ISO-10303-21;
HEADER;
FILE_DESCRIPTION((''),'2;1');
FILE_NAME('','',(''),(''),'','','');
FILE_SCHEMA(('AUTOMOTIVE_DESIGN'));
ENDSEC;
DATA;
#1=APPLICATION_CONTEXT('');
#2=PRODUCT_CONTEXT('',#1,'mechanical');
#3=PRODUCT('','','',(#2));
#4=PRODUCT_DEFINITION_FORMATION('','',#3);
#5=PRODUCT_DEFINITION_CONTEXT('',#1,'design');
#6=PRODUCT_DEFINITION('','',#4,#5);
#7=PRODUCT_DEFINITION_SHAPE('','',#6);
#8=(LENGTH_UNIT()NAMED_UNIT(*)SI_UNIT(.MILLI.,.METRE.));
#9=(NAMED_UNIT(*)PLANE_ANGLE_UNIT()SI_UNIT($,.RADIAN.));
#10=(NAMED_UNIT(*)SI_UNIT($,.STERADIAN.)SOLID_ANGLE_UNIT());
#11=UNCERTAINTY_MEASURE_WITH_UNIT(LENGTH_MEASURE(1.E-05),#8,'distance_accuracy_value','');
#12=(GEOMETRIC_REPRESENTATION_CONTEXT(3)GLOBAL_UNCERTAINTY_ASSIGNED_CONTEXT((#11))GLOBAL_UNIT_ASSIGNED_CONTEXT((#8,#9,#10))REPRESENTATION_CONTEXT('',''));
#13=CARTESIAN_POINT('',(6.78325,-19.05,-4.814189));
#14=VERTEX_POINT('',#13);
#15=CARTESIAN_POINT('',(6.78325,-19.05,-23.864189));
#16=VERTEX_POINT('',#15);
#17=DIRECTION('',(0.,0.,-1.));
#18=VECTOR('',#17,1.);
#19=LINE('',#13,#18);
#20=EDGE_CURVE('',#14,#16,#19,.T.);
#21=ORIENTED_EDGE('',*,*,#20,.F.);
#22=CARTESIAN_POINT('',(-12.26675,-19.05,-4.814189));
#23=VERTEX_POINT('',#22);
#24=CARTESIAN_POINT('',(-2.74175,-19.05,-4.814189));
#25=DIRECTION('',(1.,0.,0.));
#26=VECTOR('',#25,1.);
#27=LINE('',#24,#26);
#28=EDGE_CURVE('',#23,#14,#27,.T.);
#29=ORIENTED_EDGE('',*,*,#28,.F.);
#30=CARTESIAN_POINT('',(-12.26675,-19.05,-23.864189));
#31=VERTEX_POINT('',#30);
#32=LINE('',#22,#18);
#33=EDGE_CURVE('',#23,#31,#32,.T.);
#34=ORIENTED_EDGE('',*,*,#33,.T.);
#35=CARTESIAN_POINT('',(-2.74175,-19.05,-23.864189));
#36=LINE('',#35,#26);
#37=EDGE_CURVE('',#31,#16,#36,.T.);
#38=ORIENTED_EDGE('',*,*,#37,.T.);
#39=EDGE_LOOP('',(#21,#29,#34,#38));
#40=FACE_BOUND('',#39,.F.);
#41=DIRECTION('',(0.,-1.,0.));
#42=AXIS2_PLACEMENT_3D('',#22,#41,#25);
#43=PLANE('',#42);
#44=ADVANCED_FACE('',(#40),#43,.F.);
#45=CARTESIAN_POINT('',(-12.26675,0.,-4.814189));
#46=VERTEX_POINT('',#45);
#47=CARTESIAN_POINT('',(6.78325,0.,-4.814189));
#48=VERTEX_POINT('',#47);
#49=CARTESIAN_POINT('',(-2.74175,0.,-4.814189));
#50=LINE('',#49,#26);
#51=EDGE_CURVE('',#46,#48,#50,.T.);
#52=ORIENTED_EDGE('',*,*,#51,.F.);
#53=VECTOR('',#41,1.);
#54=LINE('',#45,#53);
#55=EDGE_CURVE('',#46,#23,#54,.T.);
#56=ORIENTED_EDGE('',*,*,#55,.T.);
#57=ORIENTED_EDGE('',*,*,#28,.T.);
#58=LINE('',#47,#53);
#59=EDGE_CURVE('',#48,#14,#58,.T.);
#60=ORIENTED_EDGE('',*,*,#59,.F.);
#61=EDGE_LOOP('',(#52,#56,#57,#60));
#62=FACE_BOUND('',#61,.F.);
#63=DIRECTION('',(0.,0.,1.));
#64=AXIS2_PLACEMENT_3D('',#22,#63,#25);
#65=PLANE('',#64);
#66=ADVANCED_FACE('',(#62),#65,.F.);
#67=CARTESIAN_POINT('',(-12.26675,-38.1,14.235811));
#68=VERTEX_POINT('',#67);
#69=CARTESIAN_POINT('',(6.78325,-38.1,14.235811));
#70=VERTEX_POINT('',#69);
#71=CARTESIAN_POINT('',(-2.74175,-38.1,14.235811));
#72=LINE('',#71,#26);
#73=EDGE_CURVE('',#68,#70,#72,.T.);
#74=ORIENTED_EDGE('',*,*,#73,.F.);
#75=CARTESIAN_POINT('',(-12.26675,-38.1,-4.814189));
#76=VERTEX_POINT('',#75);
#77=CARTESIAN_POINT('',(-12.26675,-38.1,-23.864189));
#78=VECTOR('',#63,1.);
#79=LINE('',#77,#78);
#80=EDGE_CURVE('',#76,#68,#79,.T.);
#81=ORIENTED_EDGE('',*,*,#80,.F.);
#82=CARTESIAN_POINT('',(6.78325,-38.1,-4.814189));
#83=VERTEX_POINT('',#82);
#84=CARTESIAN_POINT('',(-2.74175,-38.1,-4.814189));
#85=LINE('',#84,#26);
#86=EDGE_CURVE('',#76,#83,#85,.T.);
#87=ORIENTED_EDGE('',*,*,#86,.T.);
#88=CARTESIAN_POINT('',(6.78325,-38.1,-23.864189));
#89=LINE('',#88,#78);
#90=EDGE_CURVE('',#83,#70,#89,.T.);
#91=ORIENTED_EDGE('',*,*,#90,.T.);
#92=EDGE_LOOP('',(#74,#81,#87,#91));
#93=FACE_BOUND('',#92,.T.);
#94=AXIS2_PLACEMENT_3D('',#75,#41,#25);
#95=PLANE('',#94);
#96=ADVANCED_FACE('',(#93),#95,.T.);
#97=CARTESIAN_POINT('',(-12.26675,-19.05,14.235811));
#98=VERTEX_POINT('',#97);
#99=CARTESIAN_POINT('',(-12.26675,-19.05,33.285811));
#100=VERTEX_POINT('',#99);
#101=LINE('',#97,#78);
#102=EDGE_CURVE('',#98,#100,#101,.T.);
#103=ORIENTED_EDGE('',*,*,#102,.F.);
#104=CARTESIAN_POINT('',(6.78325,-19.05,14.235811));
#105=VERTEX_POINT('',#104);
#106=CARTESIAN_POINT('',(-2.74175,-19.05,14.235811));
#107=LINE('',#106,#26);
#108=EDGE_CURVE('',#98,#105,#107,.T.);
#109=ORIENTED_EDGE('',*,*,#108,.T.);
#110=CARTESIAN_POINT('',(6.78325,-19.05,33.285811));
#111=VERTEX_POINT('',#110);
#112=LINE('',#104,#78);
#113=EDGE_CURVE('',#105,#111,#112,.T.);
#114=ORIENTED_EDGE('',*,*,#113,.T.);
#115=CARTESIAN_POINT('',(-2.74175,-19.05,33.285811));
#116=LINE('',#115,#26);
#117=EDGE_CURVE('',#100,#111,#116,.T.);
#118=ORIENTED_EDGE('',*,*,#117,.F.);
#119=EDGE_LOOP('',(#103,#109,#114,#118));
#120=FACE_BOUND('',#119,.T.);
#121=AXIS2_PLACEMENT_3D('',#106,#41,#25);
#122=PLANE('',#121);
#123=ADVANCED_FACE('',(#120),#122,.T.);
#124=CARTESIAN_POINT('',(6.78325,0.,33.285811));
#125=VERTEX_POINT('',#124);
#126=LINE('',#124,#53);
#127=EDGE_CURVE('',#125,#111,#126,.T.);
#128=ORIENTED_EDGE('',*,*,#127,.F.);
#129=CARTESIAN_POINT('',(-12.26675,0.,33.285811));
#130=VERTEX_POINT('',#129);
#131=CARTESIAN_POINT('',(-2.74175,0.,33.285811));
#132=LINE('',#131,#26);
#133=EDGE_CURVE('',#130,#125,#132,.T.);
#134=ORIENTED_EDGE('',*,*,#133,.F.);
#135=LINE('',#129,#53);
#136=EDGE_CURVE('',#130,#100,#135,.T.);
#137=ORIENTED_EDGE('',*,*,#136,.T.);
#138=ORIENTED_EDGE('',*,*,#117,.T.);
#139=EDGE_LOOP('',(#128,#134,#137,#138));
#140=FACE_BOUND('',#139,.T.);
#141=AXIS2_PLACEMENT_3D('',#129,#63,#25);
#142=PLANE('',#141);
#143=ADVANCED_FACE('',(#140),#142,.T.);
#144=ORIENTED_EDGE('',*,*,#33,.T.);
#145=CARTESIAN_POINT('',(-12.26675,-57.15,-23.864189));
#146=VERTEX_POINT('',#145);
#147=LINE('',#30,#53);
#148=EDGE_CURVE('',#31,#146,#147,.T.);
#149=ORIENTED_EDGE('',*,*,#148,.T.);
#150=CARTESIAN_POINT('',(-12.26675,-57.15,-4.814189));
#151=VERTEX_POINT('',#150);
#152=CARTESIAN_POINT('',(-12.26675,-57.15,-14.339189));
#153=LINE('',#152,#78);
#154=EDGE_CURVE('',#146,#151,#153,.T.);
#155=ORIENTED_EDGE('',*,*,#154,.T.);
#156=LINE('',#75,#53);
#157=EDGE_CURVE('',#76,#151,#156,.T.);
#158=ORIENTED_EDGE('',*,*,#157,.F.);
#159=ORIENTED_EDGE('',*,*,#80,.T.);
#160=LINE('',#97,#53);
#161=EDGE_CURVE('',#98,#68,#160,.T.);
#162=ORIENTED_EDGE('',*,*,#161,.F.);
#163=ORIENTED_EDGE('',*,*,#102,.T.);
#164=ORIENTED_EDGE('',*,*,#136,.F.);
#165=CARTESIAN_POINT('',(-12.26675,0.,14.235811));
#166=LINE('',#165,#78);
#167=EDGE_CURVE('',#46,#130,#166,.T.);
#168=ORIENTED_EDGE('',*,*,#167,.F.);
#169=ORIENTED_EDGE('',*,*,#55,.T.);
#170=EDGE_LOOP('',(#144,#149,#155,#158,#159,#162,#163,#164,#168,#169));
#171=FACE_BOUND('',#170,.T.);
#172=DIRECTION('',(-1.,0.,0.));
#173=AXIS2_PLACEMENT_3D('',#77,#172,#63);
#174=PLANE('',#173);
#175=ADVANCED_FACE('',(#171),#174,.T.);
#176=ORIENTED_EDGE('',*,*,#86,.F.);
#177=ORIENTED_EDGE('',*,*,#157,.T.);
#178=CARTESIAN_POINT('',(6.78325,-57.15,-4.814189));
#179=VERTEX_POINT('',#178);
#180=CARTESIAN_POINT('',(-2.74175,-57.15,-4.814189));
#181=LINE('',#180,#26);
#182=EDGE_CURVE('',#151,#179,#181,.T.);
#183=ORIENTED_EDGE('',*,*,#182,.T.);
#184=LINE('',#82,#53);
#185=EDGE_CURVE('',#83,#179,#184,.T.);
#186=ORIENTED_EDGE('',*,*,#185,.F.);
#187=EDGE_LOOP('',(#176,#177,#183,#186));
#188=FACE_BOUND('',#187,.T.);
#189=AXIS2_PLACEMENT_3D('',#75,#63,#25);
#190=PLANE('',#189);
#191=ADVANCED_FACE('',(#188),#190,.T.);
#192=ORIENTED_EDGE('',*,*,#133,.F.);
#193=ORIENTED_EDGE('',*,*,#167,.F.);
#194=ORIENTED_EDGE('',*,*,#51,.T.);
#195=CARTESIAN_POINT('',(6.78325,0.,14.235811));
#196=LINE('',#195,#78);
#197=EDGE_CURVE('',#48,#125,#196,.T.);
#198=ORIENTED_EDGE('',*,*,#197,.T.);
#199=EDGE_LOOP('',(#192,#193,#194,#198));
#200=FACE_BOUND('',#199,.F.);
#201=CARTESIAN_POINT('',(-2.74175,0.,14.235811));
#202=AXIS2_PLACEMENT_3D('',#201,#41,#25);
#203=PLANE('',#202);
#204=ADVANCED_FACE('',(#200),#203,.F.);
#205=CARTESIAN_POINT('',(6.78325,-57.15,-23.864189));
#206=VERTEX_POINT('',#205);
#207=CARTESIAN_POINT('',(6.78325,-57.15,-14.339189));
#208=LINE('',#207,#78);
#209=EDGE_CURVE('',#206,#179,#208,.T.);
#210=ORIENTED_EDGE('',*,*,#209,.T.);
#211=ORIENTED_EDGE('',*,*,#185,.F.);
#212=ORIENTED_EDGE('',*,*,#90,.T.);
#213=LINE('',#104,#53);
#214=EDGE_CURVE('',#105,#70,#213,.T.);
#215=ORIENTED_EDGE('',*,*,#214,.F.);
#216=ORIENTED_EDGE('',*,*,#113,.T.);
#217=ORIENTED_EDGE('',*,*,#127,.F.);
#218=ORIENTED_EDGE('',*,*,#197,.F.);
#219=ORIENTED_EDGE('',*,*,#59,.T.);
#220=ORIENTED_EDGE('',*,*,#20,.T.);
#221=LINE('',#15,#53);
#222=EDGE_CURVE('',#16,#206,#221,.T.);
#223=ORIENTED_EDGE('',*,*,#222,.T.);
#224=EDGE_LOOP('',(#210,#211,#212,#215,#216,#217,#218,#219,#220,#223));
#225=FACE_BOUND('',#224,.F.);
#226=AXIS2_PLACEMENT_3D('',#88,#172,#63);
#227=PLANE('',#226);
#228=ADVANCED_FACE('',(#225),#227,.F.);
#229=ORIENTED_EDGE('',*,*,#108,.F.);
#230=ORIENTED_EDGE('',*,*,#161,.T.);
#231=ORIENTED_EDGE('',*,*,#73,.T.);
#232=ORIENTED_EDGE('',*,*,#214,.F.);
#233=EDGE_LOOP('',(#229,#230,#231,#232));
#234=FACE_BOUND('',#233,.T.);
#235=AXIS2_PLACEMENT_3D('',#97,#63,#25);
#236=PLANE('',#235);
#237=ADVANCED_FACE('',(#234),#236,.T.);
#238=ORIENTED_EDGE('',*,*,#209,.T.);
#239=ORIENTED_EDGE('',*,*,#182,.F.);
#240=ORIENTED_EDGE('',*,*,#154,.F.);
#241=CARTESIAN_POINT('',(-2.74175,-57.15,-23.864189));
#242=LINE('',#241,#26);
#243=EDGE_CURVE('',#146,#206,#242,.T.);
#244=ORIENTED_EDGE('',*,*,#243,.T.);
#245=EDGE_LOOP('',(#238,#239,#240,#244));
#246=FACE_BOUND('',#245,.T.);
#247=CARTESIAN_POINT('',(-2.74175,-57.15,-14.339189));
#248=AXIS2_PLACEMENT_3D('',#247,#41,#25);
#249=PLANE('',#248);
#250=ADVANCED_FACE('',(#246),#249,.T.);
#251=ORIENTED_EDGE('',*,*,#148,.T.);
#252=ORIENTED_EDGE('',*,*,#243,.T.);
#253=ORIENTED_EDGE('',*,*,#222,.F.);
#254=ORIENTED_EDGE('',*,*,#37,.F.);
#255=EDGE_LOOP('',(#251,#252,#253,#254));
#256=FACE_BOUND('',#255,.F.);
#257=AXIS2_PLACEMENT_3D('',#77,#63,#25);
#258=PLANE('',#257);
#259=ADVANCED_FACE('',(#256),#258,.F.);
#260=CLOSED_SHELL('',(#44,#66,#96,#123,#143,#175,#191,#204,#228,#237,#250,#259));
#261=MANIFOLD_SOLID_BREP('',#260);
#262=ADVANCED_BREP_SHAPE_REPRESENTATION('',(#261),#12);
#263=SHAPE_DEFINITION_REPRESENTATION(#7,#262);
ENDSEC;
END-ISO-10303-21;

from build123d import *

# Parameters (mm, degrees)
F0_W     = 19.05
F0_H     = 38.1
F1_DEPTH = 19.05
F2_W     = 19.05
F2_H     = 19.05
F3_DEPTH = 19.05
F4_W     = 19.05
F4_H     = 19.05
F5_DEPTH = 19.05
F6_W     = 19.05
F6_H     = 19.05
F7_DEPTH = 19.05


with BuildPart() as f1:
    # F0 (on Front) → F1 (new body)
    with BuildSketch(Plane.XZ):
        with Locations((-2.74175, 14.235811)):
            Rectangle(F0_W, F0_H)
    extrude(amount=F1_DEPTH)

    # F2 (on face) → F3 (join)
    with BuildSketch(Plane.XZ.offset(19.05)):
        with Locations((-2.74175, 4.710811)):
            Rectangle(F2_W, F2_H)
    extrude(amount=F3_DEPTH)

    # F4 (on face) → F5 (join)
    with BuildSketch(Plane(origin=(0, 0, -4.814189), x_dir=(1, 0, 0), z_dir=(0, 0, -1))):
        with Locations((-2.74175, 28.575)):
            Rectangle(F4_W, F4_H)
    extrude(amount=F5_DEPTH)

    # F6 (on face) → F7 (join)
    with BuildSketch(Plane.XZ.offset(38.1)):
        with Locations((-2.74175, -14.339189)):
            Rectangle(F6_W, F6_H)
    extrude(amount=F7_DEPTH)


solid = f1.part
